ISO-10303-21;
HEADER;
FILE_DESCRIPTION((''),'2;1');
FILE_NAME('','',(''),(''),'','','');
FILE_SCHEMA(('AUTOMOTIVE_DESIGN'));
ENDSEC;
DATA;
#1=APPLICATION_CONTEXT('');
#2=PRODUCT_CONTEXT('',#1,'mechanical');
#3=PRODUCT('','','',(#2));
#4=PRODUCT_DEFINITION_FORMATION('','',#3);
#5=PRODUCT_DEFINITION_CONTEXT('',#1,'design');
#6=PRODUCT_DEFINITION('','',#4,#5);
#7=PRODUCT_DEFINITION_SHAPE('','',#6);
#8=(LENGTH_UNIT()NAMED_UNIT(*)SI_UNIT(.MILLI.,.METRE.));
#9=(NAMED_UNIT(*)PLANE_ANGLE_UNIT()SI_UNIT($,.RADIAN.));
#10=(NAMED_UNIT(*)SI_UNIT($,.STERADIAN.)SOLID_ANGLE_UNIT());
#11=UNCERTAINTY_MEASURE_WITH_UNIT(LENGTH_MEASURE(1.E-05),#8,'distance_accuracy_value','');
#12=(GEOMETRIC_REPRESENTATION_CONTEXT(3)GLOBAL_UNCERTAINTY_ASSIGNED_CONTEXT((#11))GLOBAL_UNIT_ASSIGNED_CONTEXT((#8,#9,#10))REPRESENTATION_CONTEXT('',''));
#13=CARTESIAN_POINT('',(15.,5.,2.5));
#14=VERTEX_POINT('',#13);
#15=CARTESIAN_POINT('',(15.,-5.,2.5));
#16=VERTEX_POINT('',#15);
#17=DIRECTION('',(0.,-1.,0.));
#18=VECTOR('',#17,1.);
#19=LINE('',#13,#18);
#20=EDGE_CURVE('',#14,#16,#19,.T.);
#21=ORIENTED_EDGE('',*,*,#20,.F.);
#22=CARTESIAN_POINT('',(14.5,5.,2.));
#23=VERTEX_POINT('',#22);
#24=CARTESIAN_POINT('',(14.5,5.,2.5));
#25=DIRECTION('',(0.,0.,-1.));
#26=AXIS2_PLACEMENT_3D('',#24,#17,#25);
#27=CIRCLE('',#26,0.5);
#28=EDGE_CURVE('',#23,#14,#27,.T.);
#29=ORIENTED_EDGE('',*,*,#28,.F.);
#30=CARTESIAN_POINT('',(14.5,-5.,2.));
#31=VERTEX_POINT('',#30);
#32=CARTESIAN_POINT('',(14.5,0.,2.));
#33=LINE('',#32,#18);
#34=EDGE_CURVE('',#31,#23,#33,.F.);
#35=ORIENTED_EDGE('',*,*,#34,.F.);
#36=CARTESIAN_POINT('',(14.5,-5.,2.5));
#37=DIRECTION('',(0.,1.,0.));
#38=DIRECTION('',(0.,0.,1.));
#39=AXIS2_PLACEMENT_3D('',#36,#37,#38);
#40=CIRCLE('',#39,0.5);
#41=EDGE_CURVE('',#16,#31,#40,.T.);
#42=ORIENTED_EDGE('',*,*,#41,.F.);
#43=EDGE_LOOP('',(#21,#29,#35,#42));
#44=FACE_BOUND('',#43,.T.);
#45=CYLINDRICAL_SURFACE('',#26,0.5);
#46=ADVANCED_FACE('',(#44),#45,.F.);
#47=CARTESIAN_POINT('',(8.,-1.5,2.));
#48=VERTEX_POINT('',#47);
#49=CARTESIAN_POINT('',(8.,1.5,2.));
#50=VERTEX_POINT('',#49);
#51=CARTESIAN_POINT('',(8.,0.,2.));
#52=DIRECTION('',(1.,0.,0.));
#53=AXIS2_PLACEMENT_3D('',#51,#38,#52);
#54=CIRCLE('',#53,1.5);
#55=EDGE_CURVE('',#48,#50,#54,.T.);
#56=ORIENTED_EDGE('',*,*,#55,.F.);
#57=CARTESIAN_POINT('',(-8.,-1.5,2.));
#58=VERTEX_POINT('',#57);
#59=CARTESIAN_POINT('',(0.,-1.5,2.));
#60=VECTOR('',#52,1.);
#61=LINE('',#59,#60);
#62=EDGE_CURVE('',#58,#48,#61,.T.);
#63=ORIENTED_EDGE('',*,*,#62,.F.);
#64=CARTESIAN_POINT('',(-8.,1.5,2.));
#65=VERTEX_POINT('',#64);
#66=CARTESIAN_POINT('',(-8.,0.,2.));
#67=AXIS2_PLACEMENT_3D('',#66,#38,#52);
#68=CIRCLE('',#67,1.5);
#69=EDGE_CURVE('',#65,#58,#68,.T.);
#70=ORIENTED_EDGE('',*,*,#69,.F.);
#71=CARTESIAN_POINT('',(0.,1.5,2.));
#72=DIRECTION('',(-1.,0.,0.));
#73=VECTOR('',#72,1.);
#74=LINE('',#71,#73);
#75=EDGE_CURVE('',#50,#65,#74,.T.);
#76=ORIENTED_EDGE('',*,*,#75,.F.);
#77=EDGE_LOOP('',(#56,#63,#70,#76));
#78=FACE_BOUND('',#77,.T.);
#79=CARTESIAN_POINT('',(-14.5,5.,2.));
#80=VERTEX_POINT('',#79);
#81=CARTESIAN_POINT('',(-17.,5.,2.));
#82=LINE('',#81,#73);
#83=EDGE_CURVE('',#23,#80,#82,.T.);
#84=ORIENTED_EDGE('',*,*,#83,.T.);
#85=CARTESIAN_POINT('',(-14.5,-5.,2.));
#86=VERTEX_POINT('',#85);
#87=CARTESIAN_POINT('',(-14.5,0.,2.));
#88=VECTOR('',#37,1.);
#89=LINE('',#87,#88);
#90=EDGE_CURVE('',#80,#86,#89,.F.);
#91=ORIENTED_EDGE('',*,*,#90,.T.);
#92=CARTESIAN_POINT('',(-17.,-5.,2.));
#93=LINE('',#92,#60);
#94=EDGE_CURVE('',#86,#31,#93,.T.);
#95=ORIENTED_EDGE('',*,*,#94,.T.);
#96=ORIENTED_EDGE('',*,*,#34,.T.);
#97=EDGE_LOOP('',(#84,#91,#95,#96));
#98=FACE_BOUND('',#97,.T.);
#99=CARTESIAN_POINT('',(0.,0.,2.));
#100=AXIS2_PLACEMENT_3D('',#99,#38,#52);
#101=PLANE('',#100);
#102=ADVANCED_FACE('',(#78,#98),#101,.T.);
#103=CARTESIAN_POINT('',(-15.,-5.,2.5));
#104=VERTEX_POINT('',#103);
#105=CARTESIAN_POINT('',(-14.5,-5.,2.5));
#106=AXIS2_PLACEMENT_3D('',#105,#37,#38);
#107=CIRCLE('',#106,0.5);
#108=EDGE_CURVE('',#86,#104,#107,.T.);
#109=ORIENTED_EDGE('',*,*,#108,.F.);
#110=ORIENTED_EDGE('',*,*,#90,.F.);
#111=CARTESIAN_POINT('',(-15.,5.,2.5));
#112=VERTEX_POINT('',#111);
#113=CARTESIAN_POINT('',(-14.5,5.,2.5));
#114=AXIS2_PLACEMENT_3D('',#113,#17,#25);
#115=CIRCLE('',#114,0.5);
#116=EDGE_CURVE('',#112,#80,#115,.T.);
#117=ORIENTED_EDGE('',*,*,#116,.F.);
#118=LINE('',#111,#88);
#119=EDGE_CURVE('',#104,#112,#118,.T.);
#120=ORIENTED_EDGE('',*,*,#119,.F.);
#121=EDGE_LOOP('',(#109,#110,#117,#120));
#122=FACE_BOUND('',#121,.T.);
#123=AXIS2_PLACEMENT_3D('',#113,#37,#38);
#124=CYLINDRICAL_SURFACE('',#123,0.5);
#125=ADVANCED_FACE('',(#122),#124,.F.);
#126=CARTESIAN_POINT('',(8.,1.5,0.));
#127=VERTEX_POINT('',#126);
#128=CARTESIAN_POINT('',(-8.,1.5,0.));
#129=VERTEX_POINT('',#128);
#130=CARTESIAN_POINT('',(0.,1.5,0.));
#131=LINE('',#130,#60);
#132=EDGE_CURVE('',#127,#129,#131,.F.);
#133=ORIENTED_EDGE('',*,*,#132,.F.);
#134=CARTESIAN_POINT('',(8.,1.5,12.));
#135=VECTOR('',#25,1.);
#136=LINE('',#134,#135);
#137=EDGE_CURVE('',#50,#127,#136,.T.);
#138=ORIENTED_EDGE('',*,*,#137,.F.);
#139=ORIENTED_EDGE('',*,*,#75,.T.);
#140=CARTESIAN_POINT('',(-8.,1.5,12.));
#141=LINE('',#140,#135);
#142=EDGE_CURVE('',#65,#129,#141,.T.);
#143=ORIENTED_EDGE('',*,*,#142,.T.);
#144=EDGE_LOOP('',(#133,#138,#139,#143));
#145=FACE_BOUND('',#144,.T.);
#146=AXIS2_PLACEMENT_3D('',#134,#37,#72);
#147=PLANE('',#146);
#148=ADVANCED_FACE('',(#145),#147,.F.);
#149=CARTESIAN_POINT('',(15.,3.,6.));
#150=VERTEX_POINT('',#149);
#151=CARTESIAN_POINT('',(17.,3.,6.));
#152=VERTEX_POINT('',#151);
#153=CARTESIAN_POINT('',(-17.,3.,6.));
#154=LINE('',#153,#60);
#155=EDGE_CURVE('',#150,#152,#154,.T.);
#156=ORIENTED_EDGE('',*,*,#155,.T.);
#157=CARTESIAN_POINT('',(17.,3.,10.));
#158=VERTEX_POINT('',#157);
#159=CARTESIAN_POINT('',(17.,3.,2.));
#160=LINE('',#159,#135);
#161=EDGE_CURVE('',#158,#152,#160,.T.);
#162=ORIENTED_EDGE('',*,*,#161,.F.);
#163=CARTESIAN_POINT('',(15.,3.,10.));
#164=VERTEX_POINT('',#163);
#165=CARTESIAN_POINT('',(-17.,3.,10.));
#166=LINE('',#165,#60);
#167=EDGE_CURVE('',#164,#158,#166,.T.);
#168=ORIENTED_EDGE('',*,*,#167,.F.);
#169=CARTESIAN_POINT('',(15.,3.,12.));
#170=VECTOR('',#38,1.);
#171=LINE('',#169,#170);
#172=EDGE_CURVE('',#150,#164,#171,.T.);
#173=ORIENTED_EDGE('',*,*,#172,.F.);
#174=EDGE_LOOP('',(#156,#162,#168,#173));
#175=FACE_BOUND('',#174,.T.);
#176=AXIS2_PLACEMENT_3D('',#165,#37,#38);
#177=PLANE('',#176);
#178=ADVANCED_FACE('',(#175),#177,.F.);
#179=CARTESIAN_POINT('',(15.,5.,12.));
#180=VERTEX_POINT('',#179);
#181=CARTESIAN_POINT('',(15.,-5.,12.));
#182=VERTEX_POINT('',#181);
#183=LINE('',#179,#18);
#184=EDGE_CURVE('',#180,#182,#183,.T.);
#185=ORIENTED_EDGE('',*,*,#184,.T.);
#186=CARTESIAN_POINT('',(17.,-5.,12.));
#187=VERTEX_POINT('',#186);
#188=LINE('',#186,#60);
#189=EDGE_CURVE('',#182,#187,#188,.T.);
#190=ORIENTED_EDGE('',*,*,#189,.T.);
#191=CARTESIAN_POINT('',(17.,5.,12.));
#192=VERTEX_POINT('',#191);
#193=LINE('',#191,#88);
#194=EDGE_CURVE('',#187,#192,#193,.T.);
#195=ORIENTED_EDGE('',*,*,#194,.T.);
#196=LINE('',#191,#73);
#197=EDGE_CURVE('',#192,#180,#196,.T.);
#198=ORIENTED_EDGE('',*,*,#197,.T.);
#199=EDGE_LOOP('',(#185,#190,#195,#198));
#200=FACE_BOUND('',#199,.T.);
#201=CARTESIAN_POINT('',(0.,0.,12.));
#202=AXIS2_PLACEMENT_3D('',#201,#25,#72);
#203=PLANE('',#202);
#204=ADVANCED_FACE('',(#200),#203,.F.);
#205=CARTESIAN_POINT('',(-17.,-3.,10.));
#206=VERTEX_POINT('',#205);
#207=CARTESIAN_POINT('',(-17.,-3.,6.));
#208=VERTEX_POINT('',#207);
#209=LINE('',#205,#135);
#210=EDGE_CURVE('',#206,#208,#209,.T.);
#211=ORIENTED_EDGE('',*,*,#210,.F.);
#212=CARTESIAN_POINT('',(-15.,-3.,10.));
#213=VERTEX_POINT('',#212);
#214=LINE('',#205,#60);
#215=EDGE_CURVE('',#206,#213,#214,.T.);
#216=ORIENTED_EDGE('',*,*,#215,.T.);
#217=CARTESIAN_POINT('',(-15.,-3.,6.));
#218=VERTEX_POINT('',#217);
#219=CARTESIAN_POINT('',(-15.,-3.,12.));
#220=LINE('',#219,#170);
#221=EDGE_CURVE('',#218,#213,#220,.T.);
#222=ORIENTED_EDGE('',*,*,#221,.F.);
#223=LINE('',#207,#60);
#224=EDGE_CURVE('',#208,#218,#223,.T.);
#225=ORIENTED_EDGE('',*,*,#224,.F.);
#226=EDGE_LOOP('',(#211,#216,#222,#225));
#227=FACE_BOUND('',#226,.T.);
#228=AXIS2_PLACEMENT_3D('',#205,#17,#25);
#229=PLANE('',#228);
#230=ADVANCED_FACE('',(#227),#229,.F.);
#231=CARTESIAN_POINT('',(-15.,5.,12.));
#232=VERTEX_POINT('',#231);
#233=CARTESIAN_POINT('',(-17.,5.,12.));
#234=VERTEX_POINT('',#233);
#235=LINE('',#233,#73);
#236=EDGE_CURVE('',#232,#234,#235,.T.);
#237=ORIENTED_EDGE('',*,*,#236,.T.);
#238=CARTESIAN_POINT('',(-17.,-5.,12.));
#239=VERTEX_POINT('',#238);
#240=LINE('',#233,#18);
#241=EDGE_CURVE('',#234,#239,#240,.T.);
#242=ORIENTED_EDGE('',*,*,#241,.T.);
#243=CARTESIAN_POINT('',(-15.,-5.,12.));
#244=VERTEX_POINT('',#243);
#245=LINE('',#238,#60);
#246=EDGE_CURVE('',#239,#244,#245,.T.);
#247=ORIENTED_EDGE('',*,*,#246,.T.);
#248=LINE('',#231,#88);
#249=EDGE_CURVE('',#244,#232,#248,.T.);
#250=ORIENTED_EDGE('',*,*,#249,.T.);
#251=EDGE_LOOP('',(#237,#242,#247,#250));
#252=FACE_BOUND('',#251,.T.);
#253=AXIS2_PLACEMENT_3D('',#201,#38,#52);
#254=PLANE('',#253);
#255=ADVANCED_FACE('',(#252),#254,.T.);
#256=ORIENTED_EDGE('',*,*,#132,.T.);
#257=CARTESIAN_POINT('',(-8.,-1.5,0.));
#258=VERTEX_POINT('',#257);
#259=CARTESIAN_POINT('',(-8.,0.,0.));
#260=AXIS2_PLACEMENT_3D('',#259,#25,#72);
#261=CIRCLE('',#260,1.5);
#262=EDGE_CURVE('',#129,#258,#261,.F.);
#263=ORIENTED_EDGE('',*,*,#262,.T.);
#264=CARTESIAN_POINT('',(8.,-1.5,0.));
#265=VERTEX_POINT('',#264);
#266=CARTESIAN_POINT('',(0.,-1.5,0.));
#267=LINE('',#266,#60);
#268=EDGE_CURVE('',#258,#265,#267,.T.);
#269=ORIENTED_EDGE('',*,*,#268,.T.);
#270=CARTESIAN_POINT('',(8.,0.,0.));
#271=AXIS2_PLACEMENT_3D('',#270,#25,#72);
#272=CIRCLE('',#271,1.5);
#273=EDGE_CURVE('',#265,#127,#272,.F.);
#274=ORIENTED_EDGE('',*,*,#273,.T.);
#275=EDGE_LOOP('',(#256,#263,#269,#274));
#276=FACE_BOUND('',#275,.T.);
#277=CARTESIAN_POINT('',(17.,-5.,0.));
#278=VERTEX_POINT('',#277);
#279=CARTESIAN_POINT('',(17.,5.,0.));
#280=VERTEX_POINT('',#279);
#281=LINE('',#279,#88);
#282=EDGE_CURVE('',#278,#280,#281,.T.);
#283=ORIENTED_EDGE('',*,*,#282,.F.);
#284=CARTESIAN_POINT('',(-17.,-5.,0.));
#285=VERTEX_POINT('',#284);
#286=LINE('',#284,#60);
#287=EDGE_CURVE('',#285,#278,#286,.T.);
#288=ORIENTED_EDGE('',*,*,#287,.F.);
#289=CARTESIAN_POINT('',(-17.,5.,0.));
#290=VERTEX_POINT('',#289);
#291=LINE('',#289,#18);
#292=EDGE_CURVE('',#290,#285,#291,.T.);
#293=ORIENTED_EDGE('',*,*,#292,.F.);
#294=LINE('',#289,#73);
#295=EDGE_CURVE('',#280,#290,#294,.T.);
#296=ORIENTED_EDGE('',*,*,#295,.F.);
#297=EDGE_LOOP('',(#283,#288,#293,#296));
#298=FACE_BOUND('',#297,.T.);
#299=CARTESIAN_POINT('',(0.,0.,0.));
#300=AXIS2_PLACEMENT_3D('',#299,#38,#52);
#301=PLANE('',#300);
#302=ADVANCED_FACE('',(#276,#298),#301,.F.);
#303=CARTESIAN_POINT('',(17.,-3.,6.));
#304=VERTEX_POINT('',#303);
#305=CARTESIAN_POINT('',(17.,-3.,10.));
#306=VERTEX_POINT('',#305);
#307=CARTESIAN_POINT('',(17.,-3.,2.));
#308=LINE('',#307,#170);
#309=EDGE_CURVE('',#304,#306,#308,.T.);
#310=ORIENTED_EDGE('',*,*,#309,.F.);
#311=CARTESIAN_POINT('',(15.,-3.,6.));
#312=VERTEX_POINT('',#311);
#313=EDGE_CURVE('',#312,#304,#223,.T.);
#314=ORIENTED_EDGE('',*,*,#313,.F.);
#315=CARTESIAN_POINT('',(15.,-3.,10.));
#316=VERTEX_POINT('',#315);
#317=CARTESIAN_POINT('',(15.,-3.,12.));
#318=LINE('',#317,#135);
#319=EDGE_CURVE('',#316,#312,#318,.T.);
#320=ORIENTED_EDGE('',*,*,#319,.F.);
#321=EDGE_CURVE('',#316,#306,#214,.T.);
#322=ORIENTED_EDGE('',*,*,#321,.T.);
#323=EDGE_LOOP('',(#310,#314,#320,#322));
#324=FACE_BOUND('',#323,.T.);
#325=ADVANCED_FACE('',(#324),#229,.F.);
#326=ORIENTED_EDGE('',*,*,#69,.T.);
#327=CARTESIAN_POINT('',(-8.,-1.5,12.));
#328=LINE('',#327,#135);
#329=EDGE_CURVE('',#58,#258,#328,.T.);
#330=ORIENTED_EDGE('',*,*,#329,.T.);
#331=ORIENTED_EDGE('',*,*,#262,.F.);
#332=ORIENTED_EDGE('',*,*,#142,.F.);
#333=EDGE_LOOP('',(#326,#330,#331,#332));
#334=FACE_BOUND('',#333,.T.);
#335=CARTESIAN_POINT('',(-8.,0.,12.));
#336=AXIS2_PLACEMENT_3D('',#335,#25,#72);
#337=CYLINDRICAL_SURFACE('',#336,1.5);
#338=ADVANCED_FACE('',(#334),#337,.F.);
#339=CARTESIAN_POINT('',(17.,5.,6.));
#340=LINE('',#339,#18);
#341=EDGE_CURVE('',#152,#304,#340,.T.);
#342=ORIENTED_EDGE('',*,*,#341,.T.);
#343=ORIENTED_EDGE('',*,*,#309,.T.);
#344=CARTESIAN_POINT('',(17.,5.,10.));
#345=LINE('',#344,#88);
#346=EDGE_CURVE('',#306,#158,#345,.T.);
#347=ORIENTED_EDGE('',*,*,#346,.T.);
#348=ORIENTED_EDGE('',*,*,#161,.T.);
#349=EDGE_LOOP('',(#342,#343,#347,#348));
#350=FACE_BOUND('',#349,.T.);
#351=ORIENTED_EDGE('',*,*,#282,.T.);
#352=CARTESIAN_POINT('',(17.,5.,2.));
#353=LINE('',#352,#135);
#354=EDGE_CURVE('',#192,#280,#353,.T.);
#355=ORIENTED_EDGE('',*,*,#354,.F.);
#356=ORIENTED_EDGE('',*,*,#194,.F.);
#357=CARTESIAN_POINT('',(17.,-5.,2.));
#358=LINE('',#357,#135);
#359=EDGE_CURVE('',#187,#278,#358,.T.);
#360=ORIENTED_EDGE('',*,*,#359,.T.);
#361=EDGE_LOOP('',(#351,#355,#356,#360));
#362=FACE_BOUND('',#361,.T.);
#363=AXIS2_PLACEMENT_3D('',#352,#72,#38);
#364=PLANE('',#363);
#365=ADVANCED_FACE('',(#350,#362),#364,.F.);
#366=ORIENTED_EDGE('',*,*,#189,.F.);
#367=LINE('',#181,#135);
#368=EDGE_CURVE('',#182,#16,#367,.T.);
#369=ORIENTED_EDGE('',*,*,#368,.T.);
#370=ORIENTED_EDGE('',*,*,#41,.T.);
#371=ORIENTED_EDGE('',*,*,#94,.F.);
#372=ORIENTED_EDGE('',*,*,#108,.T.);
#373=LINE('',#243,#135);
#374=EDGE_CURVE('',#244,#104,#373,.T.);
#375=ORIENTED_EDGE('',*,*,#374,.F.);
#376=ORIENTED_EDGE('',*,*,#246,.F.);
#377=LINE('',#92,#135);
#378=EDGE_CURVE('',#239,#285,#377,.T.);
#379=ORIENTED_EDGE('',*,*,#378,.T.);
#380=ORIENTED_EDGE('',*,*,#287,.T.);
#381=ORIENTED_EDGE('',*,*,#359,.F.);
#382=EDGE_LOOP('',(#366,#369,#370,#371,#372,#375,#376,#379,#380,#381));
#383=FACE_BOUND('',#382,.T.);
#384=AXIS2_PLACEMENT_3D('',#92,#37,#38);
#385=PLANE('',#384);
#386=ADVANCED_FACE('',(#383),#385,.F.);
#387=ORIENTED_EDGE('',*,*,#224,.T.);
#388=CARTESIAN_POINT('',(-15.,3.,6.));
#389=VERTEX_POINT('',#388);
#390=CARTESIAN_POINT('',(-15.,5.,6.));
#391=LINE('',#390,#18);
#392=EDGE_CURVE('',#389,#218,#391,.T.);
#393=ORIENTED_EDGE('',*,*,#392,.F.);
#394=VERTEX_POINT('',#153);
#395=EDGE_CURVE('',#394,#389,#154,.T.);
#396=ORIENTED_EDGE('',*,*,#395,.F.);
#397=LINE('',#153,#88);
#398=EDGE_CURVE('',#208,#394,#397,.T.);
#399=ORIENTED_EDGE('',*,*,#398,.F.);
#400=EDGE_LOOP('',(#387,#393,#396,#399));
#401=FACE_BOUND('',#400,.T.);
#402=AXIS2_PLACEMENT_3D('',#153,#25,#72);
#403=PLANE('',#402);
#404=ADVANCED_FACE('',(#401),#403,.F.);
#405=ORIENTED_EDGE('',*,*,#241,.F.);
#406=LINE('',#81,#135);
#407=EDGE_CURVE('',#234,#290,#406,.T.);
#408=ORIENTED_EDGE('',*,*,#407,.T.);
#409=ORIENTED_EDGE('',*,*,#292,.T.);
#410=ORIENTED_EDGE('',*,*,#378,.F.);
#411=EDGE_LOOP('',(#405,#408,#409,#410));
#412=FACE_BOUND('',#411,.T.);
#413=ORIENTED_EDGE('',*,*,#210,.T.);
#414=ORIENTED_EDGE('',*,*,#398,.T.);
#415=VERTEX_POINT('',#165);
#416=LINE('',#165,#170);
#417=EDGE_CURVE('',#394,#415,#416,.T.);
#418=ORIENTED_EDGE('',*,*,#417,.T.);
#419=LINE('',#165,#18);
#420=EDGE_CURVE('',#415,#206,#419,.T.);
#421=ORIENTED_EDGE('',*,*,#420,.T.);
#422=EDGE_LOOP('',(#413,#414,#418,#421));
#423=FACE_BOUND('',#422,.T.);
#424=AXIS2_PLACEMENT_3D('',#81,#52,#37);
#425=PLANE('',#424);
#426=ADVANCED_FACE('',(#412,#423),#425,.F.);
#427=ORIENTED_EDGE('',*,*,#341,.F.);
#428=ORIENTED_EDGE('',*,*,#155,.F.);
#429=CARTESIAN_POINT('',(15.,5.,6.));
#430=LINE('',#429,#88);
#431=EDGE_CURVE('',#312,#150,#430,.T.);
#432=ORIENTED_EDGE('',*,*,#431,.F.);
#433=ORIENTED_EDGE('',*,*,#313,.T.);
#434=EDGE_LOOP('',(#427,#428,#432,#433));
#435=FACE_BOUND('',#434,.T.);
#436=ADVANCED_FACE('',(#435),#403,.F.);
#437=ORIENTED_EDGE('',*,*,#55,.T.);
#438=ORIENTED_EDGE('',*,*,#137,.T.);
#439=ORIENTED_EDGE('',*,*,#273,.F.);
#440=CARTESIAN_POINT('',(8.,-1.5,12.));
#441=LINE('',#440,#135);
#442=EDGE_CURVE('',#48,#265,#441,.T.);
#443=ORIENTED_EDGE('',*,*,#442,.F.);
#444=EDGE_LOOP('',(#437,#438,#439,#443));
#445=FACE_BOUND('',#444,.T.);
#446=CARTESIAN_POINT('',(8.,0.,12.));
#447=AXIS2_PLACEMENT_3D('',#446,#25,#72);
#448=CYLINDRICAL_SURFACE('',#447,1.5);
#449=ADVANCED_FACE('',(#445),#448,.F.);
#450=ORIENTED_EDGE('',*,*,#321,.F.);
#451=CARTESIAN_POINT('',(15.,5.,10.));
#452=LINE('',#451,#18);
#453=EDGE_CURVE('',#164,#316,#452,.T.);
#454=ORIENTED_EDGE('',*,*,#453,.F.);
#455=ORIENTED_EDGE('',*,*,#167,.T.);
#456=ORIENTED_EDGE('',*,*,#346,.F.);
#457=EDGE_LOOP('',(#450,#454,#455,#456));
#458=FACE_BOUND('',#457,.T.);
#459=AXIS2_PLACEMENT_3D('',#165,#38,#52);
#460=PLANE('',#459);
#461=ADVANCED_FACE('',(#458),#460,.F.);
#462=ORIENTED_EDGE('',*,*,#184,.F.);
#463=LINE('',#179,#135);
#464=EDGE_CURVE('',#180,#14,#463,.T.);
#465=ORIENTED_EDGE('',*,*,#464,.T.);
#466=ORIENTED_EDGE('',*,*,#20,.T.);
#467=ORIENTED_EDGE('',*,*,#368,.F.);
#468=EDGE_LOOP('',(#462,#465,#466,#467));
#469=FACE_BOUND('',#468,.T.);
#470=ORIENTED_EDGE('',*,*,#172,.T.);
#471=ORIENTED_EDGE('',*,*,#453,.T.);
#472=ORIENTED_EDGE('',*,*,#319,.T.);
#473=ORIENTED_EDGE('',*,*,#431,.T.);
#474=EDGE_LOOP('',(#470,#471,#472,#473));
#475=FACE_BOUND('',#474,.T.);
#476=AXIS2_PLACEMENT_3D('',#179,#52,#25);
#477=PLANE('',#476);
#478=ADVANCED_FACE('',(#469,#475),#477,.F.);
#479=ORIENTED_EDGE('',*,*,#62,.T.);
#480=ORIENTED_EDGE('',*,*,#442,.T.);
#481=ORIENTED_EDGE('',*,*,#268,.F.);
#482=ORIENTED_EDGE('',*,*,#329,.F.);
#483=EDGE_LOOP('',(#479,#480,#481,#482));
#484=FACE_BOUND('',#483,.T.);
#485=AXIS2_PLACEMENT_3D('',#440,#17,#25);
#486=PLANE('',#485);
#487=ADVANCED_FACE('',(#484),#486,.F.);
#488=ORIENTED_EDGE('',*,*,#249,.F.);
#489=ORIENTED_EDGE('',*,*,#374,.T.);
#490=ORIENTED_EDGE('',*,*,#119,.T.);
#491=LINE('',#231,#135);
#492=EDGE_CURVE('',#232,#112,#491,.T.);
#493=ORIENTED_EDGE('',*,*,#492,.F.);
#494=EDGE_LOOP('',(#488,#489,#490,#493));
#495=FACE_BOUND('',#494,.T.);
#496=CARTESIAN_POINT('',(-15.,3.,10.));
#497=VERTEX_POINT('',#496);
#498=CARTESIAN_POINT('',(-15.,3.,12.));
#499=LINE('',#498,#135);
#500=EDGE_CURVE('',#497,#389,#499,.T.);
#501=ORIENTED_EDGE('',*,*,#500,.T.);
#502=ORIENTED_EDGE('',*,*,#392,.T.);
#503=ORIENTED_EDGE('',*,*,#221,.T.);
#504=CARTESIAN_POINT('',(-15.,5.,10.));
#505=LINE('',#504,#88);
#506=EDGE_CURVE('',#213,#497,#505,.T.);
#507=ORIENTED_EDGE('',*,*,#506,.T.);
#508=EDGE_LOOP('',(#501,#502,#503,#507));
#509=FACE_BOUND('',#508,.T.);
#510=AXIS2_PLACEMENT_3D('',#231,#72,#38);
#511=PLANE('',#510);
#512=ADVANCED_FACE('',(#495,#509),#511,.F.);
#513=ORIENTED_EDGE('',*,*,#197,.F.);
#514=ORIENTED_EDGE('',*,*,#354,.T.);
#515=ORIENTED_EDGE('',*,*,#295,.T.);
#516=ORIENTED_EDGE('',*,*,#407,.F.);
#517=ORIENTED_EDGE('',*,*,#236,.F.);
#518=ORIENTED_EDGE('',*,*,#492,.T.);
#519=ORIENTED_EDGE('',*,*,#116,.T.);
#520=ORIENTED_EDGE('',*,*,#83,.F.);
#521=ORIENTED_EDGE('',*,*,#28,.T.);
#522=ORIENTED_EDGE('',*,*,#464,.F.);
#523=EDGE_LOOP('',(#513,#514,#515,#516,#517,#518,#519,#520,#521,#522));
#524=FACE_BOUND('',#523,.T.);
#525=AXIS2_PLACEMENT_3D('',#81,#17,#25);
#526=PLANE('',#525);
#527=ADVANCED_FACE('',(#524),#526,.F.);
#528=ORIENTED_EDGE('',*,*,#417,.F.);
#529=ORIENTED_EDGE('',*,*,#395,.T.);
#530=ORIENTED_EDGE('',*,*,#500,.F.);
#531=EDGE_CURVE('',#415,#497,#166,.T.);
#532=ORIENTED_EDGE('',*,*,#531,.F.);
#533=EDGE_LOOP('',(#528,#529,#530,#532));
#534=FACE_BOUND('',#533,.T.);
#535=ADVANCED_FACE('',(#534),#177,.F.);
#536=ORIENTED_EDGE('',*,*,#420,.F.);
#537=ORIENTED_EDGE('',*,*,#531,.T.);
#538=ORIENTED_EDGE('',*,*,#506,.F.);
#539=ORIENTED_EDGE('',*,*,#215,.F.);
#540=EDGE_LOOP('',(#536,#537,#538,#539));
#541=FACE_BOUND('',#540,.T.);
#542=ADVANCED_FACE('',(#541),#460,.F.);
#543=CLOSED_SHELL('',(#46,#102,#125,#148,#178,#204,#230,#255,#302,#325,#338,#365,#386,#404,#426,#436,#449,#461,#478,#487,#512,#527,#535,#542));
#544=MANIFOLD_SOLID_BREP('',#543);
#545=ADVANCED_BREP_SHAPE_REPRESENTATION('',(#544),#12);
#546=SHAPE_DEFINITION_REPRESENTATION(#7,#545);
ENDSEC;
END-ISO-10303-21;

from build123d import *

# Parameters (mm, degrees)
SKETCH1_W               = 34
SKETCH1_H               = 10
BOSS_EXTRUDE1_DEPTH     = 2
SKETCH2_W               = 2
SKETCH2_H               = 10
BOSS_EXTRUDE2_DEPTH     = 10
FILLET1_R               = 0.5
CUT_EXTRUDE1_DEPTH      = 37.400549446
CUT_EXTRUDE1_DEPTH_BACK = 37.400549446
SKETCH3_W               = 4
SKETCH3_H               = 6
CUT_EXTRUDE2_DEPTH      = 22.400934559
CUT_EXTRUDE2_DEPTH_BACK = 22.400934559


with BuildPart() as part:
    # Sketch1 → Boss-Extrude1 (new body)
    with BuildSketch(Plane.XY):
        Rectangle(SKETCH1_W, SKETCH1_H)
    extrude(amount=BOSS_EXTRUDE1_DEPTH)

    # Sketch2 → Boss-Extrude2 (add)
    with BuildSketch(Plane.XY.offset(2)):
        with Locations((-16, 0)):
            Rectangle(SKETCH2_W, SKETCH2_H)
        with Locations((16, 0)):
            Rectangle(SKETCH2_W, SKETCH2_H)
    extrude(amount=BOSS_EXTRUDE2_DEPTH)

    # Fillet1
    fillet1_edges = [part.edges().sort_by_distance(p)[0] for p in [
        (-15, 0, 2),
        (15, 0, 2),
    ]]
    fillet(fillet1_edges, radius=FILLET1_R)

    # Sketch3 → Cut-Extrude1 (cut, two sides: drawn at the far end of the back side and taken through both)
    with BuildSketch(Plane(origin=(17, 0, 0), x_dir=(0, 0, -1), z_dir=(1, 0, 0)).offset(-CUT_EXTRUDE1_DEPTH_BACK)):
        with Locations((-8, 0)):
            Rectangle(SKETCH3_W, SKETCH3_H)
    extrude(amount=CUT_EXTRUDE1_DEPTH + CUT_EXTRUDE1_DEPTH_BACK, mode=Mode.SUBTRACT)

    # Sketch4 → Cut-Extrude2 (cut, two sides: drawn at the far end of the back side and taken through both)
    with BuildSketch(Plane(origin=(0, 0, 0), x_dir=(-1, 0, 0), z_dir=(0, 0, -1)).offset(-CUT_EXTRUDE2_DEPTH_BACK)):
        with BuildLine():
            Line((-8, -1.5), (8, -1.5))
            ThreePointArc((8, -1.5), (9.5, 0), (8, 1.5))
            Line((8, 1.5), (-8, 1.5))
            ThreePointArc((-8, 1.5), (-9.5, 0), (-8, -1.5))
        make_face()
    extrude(amount=CUT_EXTRUDE2_DEPTH + CUT_EXTRUDE2_DEPTH_BACK, mode=Mode.SUBTRACT)


solid = part.part
